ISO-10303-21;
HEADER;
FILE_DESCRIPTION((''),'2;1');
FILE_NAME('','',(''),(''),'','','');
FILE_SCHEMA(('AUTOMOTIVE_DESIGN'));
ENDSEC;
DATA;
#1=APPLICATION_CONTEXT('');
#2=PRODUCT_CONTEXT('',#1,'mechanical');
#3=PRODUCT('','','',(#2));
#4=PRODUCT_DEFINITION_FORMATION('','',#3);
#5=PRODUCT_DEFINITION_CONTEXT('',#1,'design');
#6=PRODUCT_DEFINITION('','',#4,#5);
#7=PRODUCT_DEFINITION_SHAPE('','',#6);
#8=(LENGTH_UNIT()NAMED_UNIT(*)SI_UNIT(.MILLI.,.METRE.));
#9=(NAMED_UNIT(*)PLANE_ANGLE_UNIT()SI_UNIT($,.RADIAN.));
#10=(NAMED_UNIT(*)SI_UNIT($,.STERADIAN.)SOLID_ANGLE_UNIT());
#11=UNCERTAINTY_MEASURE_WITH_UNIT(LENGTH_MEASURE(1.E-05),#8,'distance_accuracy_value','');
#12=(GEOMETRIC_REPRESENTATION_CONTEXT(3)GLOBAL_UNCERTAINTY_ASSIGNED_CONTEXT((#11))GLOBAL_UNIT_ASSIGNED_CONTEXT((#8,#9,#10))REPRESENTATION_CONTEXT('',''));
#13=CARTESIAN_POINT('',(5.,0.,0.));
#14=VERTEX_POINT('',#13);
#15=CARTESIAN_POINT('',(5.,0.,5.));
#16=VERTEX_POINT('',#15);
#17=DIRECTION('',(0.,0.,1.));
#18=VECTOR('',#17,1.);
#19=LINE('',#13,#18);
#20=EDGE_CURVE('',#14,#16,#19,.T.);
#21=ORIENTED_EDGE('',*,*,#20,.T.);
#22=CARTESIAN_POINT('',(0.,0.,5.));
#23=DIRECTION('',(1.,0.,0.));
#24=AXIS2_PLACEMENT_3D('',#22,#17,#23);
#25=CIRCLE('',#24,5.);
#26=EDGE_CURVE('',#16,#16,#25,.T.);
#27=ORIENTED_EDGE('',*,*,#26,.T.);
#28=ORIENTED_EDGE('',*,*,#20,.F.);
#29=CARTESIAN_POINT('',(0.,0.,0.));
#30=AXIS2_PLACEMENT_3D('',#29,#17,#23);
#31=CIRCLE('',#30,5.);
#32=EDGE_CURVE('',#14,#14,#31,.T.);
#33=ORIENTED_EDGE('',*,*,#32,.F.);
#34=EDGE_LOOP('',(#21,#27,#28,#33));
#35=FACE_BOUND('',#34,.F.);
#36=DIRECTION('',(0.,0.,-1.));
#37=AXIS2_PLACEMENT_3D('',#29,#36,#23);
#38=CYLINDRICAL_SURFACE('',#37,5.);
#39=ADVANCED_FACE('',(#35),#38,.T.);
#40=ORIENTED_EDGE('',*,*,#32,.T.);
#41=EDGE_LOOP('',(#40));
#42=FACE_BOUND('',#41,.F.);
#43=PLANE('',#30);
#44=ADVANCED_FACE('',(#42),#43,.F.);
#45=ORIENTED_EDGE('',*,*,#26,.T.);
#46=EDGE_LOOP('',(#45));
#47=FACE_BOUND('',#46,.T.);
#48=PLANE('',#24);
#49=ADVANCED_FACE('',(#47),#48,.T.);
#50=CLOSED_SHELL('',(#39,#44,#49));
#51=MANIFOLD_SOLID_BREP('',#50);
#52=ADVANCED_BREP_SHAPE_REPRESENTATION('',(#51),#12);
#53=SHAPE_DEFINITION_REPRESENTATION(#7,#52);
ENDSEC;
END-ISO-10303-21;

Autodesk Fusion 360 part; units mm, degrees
sketch "Sketch1" plane through (0, 0, 0) normal (0, 0, 1) x (1, 0, 0)
  circle A0 centre (0, 0) radius 5
  dimension "d1" = 10
extrude "Extrude1" add sketch "Sketch1" along normal blind 5
